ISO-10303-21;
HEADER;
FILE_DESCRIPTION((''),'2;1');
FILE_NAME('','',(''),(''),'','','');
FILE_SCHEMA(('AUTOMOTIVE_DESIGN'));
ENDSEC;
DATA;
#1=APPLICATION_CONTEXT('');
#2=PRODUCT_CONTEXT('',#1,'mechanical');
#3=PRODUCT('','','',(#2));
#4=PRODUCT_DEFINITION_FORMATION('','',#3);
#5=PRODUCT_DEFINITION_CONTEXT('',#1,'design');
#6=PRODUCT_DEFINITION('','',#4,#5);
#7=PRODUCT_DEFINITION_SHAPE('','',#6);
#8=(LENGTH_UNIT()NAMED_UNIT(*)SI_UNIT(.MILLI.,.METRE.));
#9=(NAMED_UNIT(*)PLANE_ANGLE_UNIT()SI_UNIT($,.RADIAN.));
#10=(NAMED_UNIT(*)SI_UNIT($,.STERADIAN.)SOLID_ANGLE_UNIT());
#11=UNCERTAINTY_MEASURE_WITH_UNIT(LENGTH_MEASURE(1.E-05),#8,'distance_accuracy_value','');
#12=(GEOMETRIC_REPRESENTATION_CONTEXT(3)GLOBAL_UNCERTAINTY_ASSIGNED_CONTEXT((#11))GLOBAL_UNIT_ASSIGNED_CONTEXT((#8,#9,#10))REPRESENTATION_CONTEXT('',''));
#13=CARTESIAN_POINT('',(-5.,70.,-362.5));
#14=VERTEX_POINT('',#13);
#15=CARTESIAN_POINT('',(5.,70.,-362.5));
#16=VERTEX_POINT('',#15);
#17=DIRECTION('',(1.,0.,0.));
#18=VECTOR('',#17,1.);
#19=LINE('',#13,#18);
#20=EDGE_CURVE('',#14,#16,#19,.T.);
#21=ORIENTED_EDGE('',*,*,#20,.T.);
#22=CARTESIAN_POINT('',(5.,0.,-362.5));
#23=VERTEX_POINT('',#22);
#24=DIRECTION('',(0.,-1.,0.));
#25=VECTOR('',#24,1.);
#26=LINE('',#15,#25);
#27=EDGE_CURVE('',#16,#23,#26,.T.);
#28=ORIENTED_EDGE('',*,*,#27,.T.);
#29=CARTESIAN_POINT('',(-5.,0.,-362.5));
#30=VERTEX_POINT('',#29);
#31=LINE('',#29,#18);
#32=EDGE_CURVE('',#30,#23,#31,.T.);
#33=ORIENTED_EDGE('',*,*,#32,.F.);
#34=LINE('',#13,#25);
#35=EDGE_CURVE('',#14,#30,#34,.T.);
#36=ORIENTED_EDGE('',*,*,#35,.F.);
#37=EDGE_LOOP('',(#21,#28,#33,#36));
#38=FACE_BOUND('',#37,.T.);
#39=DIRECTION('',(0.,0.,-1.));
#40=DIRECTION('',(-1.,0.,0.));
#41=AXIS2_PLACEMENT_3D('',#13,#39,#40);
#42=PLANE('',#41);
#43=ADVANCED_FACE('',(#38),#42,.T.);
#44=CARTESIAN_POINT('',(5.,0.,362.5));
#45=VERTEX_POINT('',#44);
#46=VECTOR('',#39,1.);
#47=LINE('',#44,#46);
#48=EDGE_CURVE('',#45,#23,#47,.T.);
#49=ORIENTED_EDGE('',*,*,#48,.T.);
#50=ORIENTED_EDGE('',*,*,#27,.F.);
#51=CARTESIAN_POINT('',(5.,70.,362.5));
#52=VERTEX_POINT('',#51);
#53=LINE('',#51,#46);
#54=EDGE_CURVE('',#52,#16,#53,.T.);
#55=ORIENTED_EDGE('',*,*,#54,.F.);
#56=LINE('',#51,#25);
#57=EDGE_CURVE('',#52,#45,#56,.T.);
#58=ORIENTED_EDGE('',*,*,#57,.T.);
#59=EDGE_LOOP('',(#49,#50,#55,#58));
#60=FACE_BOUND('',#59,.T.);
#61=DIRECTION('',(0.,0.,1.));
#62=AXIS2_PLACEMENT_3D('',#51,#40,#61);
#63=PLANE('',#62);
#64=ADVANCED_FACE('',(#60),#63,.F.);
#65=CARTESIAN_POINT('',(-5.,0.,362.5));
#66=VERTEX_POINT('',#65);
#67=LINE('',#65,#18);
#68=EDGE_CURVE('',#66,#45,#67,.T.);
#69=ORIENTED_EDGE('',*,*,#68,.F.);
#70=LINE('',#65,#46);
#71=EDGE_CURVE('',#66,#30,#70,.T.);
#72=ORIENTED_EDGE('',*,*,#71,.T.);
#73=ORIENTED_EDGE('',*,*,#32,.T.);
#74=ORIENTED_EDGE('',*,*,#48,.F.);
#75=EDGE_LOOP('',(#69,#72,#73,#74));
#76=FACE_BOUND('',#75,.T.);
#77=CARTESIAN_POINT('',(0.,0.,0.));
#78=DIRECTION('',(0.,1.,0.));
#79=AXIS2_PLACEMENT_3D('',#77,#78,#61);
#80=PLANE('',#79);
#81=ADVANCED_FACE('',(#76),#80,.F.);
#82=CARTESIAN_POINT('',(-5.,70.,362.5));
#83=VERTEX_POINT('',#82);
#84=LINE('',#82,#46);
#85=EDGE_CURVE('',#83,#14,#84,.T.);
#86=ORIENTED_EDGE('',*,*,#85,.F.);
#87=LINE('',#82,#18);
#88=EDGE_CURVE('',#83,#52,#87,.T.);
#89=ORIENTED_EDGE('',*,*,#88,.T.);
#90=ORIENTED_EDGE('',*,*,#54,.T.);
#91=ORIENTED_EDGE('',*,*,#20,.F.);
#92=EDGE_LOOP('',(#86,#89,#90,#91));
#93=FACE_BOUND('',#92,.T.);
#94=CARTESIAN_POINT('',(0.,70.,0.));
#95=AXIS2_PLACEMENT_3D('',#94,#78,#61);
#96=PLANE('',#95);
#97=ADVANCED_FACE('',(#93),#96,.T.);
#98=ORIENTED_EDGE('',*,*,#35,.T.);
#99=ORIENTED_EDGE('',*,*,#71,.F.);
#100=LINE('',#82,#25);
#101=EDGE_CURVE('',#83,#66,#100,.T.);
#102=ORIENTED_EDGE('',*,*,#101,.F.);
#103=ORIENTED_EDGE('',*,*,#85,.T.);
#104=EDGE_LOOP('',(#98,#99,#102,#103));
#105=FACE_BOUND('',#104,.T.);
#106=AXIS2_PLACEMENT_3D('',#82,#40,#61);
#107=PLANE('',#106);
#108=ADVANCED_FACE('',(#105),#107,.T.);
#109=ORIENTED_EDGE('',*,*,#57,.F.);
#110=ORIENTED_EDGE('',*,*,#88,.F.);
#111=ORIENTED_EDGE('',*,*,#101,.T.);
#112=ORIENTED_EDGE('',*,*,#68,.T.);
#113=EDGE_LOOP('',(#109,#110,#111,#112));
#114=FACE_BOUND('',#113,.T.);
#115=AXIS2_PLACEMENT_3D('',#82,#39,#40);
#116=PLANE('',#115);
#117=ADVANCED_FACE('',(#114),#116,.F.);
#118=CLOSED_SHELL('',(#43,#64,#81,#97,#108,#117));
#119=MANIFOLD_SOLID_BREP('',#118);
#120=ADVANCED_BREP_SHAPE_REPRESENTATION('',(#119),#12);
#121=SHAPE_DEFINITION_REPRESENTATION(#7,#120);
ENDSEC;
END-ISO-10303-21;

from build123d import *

# Parameters (mm, degrees)
SKETCH1_W           = 10
SKETCH1_H           = 725
BOSS_EXTRUDE1_DEPTH = 70


with BuildPart() as part:
    # Sketch1 → Boss-Extrude1 (new body)
    with BuildSketch(Plane(origin=(0, 0, 0), x_dir=(1, 0, 0), z_dir=(0, 1, 0))):
        Rectangle(SKETCH1_W, SKETCH1_H)
    extrude(amount=BOSS_EXTRUDE1_DEPTH)


solid = part.part
